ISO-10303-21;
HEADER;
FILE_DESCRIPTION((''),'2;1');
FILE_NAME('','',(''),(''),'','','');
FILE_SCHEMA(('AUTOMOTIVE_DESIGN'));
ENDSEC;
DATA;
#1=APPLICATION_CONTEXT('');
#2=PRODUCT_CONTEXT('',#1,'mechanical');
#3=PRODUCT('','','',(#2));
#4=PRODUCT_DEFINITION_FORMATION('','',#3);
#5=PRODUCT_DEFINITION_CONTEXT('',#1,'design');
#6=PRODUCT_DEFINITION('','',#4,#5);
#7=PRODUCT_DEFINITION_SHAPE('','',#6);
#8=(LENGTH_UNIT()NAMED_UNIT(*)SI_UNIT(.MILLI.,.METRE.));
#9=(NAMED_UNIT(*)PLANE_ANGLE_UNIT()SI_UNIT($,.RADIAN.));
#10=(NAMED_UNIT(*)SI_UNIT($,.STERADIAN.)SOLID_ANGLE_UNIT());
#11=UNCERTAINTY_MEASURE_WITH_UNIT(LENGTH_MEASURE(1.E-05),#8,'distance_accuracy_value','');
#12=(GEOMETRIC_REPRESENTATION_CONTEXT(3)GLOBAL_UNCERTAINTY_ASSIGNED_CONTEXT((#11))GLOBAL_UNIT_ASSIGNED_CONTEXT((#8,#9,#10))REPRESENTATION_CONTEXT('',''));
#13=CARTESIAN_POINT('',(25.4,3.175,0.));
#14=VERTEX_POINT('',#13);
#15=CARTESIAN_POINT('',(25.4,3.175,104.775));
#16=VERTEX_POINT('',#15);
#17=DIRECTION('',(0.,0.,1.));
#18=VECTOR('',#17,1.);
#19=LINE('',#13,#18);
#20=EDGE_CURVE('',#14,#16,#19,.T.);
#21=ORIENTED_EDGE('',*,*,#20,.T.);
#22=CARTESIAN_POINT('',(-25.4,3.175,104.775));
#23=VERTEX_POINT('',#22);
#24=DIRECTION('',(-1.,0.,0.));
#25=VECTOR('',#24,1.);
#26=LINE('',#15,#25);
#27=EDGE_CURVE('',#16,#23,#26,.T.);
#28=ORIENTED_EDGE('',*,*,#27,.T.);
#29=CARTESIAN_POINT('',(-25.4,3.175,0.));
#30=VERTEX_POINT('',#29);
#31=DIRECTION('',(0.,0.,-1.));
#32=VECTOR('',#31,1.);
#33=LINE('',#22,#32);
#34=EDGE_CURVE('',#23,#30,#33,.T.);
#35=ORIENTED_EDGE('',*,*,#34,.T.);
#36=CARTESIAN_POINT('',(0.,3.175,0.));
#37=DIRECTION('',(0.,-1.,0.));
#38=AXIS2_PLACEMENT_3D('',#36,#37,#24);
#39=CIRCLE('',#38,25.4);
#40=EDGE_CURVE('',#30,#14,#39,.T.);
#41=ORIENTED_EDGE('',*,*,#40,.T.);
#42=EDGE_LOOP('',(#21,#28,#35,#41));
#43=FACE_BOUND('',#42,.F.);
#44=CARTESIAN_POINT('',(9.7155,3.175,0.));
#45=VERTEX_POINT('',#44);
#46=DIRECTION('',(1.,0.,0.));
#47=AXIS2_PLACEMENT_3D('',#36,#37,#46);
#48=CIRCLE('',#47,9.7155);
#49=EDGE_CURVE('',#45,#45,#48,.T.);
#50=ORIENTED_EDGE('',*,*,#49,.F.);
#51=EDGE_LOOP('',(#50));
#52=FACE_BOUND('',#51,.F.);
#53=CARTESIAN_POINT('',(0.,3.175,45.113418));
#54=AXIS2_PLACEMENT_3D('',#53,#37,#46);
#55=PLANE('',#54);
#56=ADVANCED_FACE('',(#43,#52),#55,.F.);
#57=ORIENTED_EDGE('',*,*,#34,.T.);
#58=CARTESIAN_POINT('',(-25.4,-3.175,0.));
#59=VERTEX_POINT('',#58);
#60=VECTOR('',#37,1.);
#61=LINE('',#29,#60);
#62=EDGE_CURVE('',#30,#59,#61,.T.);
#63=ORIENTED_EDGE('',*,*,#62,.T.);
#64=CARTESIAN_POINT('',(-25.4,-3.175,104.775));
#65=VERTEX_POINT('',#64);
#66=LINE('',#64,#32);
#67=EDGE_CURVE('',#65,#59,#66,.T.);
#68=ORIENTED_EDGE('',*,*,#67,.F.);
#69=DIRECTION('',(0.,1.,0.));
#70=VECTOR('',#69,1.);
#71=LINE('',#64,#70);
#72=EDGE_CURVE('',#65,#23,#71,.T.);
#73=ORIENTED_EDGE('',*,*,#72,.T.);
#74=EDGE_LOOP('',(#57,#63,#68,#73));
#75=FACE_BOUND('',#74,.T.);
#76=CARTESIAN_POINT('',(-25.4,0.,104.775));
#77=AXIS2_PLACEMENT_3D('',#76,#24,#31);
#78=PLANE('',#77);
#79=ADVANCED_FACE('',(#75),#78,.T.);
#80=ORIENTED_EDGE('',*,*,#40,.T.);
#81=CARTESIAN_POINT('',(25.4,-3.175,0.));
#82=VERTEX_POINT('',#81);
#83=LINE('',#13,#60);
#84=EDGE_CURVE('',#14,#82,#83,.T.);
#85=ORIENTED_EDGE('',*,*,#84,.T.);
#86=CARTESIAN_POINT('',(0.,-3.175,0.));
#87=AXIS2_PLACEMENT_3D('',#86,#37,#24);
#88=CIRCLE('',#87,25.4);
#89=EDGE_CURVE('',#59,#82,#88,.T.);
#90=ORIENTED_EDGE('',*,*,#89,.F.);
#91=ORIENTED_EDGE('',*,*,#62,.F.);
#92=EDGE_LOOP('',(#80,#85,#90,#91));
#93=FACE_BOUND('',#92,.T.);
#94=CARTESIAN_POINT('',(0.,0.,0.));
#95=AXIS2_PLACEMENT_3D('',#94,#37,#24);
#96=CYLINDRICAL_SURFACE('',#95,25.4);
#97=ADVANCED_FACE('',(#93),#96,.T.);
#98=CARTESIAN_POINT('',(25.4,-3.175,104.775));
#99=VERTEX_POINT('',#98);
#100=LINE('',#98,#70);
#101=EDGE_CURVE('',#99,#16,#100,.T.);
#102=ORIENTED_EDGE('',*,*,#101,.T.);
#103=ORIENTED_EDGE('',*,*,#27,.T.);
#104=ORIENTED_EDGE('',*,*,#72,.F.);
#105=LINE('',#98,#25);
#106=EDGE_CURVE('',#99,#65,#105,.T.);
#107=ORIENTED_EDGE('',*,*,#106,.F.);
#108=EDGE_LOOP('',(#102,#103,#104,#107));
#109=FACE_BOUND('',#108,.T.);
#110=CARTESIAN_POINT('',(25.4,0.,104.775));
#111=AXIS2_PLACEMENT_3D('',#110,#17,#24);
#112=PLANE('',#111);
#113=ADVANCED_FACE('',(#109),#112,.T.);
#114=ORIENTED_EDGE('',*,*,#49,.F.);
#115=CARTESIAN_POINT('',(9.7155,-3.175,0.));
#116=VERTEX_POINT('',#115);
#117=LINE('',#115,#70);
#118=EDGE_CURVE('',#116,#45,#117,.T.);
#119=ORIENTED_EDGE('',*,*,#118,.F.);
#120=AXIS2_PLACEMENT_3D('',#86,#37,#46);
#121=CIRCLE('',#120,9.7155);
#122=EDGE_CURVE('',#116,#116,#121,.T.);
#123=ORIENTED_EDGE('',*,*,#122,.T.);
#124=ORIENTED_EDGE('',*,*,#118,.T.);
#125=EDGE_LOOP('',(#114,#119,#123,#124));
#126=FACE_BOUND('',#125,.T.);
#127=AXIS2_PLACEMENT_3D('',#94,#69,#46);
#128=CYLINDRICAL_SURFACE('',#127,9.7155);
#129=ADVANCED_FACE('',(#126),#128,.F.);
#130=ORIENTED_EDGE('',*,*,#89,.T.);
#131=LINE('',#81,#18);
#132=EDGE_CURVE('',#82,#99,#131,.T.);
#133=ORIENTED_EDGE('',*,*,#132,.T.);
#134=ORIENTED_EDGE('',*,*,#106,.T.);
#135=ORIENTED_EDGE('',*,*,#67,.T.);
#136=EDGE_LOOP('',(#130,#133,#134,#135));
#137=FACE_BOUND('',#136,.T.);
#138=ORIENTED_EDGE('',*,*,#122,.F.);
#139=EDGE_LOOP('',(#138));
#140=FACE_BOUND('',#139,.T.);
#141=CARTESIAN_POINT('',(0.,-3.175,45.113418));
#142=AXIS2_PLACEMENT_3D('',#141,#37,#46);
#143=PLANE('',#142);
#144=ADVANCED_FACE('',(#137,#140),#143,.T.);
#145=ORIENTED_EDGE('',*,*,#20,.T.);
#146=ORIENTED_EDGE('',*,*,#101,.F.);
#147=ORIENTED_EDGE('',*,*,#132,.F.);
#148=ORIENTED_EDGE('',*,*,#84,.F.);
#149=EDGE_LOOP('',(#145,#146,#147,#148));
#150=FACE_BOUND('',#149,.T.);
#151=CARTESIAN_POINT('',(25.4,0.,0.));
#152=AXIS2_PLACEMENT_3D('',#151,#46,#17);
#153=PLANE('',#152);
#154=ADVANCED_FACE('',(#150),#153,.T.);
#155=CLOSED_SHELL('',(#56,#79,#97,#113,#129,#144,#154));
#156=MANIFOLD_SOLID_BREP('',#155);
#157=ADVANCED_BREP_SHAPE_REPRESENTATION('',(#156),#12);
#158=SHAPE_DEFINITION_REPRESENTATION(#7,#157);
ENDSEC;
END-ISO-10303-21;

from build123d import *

# Parameters (mm, degrees)
F0_R     = 9.7155
F1_DEPTH = 3.175


with BuildPart() as f1:
    # F0 (on Front) → F1 (new body, symmetric)
    with BuildSketch(Plane.XZ):
        with BuildLine():
            Line((-25.4, 104.775), (-25.4, 0))
            ThreePointArc((-25.4, 0), (0, -25.4), (25.4, 0))
            Line((25.4, 0), (25.4, 104.775))
            Line((25.4, 104.775), (-25.4, 104.775))
        make_face()
        Circle(F0_R, mode=Mode.SUBTRACT)
    extrude(amount=F1_DEPTH, both=True)


solid = f1.part
